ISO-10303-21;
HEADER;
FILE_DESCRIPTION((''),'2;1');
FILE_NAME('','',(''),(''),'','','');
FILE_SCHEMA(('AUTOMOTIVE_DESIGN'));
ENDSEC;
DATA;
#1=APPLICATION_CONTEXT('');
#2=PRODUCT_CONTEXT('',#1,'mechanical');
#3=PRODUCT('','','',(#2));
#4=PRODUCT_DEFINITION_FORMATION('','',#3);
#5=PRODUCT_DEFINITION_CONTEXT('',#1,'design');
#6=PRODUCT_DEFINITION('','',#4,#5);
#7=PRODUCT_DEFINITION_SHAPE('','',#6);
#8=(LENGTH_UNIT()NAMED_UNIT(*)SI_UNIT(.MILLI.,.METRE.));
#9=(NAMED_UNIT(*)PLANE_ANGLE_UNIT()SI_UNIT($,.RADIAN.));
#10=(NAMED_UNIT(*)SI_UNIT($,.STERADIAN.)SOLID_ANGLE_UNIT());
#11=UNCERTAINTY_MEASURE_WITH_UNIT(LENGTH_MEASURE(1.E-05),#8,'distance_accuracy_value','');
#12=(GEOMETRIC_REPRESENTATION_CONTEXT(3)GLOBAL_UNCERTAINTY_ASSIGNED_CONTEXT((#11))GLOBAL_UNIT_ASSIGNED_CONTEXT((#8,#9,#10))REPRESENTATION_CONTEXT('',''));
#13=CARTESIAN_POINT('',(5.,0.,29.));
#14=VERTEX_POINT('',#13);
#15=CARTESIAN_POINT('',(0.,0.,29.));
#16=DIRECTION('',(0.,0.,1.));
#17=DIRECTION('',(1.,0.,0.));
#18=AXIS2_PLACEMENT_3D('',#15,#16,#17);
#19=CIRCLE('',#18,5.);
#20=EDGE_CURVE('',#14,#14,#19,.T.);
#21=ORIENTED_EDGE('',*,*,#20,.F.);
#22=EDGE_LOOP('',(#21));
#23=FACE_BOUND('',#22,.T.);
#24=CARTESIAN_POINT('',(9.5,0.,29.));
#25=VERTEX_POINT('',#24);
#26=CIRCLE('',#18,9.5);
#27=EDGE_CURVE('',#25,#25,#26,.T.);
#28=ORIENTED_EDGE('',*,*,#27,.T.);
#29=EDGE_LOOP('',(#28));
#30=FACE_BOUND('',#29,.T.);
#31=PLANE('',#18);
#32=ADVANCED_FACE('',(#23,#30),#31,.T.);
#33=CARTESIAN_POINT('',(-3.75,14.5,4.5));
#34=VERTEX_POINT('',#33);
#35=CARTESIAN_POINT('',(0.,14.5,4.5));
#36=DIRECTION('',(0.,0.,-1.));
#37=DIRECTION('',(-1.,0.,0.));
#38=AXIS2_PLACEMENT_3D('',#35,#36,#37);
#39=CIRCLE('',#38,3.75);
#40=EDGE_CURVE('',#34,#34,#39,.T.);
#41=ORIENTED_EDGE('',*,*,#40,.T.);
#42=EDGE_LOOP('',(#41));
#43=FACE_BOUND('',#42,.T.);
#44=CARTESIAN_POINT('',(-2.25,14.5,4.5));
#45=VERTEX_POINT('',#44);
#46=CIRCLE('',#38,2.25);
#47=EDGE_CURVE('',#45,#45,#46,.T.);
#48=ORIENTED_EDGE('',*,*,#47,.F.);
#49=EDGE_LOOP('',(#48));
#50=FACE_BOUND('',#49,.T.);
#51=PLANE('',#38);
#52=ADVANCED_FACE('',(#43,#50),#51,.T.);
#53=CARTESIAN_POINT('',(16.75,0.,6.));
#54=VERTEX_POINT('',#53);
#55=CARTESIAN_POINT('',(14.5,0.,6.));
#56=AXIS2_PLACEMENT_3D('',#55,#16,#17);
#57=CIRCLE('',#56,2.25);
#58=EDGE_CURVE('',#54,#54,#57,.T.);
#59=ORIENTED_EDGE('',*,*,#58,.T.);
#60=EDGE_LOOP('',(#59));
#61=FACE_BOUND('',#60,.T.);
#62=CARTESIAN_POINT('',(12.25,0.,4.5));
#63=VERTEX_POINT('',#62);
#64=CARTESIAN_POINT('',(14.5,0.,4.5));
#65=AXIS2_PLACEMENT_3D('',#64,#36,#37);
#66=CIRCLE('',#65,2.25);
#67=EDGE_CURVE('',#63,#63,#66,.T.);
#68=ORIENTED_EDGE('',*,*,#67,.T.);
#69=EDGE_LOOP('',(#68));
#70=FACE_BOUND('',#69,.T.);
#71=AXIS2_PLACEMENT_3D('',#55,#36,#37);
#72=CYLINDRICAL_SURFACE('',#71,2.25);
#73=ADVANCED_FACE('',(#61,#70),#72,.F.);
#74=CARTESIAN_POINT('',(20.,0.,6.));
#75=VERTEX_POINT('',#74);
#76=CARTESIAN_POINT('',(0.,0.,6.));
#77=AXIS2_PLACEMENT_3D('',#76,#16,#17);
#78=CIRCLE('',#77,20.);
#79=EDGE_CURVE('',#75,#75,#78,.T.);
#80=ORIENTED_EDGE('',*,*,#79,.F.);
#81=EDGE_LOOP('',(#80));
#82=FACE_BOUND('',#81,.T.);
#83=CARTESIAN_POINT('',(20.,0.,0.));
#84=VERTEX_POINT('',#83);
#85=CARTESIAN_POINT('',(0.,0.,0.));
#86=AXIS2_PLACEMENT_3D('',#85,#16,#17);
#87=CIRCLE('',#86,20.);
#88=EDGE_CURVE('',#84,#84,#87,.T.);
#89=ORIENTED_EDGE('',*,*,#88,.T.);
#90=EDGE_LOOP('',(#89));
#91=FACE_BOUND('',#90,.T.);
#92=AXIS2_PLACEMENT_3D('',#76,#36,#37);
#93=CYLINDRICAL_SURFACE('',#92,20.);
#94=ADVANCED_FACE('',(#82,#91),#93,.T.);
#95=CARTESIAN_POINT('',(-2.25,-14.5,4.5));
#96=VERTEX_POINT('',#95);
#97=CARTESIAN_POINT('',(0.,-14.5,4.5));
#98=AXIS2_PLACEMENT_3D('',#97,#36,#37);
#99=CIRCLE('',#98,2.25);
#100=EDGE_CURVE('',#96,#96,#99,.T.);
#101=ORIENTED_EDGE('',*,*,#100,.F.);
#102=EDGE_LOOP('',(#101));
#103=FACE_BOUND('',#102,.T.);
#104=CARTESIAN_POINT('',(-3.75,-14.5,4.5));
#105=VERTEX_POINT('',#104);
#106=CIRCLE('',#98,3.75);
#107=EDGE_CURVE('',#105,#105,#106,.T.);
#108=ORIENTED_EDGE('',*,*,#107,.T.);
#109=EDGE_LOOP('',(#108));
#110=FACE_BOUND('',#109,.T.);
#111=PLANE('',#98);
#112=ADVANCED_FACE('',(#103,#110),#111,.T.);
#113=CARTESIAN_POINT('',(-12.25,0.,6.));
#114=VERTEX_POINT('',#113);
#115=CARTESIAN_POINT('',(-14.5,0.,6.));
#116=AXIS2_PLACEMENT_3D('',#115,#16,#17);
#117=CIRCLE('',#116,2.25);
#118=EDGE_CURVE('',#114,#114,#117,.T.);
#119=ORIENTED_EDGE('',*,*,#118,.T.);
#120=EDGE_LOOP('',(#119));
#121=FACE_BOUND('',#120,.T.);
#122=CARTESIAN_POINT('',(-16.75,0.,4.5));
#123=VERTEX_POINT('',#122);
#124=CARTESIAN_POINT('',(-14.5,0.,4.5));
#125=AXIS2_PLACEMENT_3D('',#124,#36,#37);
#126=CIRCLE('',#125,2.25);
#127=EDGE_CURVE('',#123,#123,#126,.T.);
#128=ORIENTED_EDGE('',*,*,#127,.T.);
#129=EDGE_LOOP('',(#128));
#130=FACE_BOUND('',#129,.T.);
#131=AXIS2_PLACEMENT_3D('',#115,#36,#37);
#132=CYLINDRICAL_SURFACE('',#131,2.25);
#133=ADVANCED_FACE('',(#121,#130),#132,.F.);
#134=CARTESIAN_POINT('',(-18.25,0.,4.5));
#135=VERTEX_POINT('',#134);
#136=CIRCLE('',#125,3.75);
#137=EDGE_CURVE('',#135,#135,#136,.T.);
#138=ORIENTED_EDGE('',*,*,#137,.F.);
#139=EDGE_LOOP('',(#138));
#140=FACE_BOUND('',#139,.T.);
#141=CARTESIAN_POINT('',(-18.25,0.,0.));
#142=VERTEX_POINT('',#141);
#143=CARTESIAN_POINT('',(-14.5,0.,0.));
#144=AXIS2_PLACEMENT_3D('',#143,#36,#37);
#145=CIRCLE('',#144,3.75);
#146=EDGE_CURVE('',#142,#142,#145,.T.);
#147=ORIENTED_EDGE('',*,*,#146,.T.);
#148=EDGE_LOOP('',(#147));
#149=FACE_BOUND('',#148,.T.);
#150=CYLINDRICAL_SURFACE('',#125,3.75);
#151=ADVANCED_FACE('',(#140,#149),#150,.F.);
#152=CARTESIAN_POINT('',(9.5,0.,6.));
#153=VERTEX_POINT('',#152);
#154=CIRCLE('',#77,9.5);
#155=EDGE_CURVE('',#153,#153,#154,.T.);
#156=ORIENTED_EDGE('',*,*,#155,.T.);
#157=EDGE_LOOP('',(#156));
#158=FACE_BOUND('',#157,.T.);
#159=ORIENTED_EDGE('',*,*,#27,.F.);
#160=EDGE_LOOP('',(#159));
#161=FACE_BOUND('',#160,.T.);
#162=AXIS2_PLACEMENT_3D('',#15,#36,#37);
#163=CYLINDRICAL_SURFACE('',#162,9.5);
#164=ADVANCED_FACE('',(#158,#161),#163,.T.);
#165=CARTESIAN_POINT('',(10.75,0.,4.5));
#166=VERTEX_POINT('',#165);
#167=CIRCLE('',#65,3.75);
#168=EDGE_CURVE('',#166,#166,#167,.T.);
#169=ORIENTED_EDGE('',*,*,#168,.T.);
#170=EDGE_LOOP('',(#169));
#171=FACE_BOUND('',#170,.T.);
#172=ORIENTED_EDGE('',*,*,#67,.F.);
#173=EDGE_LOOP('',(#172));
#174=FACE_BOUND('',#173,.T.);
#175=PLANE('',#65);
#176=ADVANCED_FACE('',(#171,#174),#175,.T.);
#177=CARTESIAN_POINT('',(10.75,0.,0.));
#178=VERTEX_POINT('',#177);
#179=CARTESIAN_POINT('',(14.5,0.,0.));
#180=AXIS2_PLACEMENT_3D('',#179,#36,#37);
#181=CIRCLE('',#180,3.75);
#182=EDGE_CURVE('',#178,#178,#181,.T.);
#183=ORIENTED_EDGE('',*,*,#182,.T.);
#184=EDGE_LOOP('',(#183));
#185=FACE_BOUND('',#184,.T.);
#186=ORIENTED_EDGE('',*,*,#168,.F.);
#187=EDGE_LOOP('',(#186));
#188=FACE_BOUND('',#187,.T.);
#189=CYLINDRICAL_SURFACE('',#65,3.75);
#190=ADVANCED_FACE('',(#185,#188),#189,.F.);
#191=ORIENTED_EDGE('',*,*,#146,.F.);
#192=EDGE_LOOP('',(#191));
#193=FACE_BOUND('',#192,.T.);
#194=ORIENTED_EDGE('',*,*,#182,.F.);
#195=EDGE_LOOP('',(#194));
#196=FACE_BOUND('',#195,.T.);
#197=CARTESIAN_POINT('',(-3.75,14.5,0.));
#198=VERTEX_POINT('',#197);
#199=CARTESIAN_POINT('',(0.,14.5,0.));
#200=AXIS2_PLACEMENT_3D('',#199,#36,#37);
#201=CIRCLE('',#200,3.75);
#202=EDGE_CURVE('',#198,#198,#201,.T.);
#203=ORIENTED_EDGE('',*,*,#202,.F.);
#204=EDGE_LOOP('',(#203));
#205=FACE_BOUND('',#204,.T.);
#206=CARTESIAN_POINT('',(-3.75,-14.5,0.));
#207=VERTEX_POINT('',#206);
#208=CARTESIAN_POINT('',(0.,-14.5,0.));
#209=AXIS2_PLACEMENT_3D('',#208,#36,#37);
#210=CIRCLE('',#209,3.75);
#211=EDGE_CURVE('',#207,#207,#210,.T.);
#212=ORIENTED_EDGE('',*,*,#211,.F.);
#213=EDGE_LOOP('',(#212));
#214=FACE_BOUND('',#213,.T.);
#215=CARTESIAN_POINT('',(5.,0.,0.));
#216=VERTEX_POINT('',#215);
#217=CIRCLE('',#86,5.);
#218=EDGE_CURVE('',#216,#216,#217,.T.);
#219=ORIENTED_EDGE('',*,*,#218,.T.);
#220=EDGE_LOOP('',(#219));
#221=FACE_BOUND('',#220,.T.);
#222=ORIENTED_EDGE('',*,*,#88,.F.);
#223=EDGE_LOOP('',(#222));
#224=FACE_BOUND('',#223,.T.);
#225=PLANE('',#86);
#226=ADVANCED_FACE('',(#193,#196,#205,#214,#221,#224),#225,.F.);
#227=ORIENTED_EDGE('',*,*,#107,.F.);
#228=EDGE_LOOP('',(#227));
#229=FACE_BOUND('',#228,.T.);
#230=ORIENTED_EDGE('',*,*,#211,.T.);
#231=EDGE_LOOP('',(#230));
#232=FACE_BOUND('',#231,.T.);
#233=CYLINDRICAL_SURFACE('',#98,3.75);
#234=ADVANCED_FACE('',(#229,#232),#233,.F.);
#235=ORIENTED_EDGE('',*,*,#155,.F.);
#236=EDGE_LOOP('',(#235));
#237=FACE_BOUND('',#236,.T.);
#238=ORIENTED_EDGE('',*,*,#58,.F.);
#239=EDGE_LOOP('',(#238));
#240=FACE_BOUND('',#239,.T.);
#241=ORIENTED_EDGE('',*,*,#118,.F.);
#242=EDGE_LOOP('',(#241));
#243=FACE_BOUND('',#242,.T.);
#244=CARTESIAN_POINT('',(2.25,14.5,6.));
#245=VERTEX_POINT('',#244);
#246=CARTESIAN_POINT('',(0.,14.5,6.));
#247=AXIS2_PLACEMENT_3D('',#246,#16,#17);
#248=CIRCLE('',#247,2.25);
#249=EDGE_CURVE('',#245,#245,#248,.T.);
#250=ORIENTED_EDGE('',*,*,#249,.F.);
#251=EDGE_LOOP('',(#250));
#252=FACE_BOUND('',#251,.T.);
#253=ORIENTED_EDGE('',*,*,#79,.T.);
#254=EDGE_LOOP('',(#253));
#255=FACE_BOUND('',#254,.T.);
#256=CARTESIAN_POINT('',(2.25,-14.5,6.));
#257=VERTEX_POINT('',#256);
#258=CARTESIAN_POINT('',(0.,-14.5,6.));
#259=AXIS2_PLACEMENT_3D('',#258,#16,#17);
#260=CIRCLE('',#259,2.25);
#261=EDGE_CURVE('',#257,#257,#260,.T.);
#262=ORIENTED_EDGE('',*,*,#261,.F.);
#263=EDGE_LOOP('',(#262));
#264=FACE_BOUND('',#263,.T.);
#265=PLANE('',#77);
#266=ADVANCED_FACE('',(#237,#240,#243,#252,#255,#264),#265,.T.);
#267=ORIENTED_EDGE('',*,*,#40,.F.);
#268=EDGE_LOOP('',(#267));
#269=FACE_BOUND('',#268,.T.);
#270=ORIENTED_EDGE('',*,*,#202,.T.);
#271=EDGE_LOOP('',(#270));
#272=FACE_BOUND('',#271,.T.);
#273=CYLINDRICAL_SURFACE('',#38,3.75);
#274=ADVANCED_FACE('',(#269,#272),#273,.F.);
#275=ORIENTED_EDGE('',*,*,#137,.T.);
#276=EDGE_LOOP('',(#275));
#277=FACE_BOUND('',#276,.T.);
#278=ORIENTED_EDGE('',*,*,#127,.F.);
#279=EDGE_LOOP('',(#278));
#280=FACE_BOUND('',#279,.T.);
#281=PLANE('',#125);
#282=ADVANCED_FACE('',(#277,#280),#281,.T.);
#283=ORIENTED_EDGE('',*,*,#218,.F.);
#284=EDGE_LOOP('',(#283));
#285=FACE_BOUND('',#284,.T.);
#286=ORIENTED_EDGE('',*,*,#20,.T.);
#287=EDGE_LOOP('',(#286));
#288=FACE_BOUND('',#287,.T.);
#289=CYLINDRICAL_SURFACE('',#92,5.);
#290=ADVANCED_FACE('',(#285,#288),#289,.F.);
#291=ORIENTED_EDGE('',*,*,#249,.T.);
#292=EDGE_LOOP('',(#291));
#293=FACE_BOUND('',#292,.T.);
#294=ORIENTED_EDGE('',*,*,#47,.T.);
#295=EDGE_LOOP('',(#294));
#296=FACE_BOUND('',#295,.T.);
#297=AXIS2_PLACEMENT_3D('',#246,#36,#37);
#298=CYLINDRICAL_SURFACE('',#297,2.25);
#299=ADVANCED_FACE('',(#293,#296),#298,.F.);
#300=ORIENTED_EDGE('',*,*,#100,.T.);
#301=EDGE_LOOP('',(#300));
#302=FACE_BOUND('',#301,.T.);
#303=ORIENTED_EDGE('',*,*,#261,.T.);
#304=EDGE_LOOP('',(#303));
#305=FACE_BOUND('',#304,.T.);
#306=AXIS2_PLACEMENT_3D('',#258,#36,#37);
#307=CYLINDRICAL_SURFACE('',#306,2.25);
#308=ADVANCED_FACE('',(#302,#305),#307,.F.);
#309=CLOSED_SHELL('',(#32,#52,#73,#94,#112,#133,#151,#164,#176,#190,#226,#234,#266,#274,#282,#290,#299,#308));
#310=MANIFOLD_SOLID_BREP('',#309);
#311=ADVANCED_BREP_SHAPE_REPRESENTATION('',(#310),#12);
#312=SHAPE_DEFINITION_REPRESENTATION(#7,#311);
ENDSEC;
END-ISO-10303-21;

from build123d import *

# Parameters (mm, degrees)
SKETCH_1_R          = 20
SKETCH_1_R_2        = 5
SKETCH_1_R_3        = 2.25
EXTRUDE_1_DEPTH     = 6
SKETCH_2_R          = 9.5
SKETCH_2_R_2        = 5
EXTRUDE_2_DEPTH     = 23
SKETCH_3_R          = 3.75
CUT_EXTRUDE_1_DEPTH = 4.5


with BuildPart() as part:
    # Эскиз1 → Бобышка-Вытянуть1 (new body)
    with BuildSketch(Plane.XY):
        Circle(SKETCH_1_R)
        Circle(SKETCH_1_R_2, mode=Mode.SUBTRACT)
        with Locations((0, 14.5)):
            Circle(SKETCH_1_R_3, mode=Mode.SUBTRACT)
        with Locations((14.5, 0)):
            Circle(SKETCH_1_R_3, mode=Mode.SUBTRACT)
        with Locations((0, -14.5)):
            Circle(SKETCH_1_R_3, mode=Mode.SUBTRACT)
        with Locations((-14.5, 0)):
            Circle(SKETCH_1_R_3, mode=Mode.SUBTRACT)
    extrude(amount=EXTRUDE_1_DEPTH)

    # Эскиз2 → Бобышка-Вытянуть2 (add)
    with BuildSketch(Plane.XY.offset(6)):
        Circle(SKETCH_2_R)
        Circle(SKETCH_2_R_2, mode=Mode.SUBTRACT)
    extrude(amount=EXTRUDE_2_DEPTH)

    # Эскиз3 → Вырез-Вытянуть1 (cut)
    with BuildSketch(Plane(origin=(0, 0, 0), x_dir=(-1, 0, 0), z_dir=(0, 0, -1))):
        with Locations((0, 14.5)):
            Circle(SKETCH_3_R)
        with Locations((14.5, 0)):
            Circle(SKETCH_3_R)
        with Locations((0, -14.5)):
            Circle(SKETCH_3_R)
        with Locations((-14.5, 0)):
            Circle(SKETCH_3_R)
    extrude(amount=-CUT_EXTRUDE_1_DEPTH, mode=Mode.SUBTRACT)


solid = part.part
